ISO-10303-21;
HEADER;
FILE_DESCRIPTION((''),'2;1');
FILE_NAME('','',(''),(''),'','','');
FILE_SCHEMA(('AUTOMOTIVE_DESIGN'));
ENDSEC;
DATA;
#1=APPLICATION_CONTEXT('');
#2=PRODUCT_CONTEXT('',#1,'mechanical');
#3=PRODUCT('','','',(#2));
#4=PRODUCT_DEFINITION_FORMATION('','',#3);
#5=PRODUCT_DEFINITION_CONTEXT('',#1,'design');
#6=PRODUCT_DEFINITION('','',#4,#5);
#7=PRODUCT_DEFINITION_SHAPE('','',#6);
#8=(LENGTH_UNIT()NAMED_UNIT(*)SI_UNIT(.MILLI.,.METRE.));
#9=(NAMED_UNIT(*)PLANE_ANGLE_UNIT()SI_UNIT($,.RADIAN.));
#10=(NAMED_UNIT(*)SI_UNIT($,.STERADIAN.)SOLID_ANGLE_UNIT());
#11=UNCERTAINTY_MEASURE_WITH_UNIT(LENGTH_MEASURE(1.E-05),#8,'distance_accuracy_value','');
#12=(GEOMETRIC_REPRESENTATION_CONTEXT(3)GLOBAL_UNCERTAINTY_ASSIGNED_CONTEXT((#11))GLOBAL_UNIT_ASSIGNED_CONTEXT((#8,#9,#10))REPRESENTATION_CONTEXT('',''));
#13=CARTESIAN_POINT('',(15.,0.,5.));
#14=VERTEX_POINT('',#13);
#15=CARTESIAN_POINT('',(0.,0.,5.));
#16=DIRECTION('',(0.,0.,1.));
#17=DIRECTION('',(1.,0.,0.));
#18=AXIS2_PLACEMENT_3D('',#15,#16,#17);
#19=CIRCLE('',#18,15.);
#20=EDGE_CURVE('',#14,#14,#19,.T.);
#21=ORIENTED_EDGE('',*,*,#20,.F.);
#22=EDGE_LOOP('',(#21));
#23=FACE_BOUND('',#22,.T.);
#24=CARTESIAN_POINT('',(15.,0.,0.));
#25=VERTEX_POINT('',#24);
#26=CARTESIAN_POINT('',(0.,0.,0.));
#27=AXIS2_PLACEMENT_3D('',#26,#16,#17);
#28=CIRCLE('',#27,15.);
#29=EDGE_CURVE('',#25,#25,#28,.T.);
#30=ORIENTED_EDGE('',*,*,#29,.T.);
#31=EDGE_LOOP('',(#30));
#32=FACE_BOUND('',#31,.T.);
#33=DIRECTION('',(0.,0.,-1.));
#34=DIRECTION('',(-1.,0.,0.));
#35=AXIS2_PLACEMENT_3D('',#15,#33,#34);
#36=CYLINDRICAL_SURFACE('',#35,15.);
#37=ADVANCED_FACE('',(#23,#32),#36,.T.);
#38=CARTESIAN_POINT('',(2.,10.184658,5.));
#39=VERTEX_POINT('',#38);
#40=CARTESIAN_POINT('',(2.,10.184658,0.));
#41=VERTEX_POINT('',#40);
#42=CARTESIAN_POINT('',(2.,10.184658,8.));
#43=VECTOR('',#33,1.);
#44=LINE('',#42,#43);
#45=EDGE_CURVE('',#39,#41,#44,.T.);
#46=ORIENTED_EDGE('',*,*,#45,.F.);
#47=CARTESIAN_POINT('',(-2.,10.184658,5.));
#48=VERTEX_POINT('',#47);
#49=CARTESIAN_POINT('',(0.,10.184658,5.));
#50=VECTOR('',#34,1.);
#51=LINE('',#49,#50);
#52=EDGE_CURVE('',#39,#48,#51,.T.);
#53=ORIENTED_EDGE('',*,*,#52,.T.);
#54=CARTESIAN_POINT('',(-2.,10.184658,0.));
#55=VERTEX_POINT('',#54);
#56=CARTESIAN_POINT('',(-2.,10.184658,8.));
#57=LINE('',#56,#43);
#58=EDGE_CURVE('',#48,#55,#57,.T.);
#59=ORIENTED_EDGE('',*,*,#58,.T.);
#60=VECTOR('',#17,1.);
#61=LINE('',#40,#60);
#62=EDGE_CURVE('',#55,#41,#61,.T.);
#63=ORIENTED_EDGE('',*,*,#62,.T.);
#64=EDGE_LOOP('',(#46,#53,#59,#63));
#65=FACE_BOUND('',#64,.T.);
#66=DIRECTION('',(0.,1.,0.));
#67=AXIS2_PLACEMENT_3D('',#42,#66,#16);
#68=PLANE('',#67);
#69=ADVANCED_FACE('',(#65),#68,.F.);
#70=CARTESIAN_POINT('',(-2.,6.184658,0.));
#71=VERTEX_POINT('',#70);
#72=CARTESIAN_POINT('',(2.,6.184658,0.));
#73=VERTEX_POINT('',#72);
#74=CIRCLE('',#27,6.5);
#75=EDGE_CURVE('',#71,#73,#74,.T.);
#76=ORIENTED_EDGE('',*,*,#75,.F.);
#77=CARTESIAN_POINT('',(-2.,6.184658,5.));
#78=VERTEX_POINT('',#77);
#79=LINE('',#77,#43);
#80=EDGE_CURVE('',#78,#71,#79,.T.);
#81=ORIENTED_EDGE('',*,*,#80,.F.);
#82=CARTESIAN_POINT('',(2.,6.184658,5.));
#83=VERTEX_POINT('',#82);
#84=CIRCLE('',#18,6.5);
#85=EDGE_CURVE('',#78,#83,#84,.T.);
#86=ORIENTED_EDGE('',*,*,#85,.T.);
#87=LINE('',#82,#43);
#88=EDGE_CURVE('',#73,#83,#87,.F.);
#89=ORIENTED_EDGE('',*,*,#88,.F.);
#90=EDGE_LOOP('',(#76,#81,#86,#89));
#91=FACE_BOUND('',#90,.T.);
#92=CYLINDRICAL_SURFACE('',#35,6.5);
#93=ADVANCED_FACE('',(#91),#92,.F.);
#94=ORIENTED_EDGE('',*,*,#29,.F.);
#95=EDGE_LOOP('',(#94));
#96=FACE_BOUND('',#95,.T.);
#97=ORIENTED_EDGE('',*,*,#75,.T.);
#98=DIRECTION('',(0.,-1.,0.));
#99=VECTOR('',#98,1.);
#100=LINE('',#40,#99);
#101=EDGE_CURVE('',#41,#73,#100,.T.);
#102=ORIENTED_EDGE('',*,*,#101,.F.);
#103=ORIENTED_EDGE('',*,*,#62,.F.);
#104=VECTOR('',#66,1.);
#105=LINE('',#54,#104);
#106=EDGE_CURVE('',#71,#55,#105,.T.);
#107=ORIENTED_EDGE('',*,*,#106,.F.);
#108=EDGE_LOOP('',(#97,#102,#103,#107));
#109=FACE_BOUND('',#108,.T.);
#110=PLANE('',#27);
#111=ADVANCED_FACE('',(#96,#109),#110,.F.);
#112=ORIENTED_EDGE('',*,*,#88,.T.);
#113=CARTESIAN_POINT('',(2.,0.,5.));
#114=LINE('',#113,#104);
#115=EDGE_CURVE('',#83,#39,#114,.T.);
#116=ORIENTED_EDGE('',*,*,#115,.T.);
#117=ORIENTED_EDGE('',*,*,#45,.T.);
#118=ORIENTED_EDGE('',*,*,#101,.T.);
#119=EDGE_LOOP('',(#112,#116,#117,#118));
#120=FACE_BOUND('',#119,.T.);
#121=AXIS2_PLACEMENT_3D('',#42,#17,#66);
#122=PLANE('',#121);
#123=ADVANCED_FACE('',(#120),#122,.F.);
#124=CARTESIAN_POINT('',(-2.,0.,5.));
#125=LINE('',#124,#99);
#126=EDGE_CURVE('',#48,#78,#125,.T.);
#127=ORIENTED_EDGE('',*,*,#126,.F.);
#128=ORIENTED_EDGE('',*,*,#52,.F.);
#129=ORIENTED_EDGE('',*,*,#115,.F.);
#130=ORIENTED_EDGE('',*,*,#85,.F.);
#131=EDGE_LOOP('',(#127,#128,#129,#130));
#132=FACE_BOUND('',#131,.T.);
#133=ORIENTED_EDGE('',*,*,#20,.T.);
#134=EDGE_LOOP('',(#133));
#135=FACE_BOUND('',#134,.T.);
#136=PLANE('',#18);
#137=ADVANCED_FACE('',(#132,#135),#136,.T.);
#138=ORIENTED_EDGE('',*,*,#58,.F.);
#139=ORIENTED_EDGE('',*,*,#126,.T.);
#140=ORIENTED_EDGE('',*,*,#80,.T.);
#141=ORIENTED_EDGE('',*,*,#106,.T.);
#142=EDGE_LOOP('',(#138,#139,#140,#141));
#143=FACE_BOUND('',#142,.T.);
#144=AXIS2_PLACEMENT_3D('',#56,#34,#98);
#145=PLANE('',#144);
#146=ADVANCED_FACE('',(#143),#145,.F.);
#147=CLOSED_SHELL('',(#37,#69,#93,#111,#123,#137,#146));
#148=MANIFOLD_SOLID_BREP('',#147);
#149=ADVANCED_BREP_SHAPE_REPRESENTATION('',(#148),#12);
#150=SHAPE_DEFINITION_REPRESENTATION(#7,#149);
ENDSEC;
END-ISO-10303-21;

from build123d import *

# Parameters (mm, degrees)
IZIM1_R                     = 15
IZIM1_R_2                   = 6.5
Y_KSEKLIK_EKSTR_ZYON1_DEPTH = 5
IZIM2_W                     = 4
IZIM2_H                     = 4
KES_EKSTR_ZYON1_DEPTH       = 8


with BuildPart() as part:
    # Çizim1 → Yükseklik-Ekstrüzyon1 (new body)
    with BuildSketch(Plane.XY):
        Circle(IZIM1_R)
        Circle(IZIM1_R_2, mode=Mode.SUBTRACT)
    extrude(amount=Y_KSEKLIK_EKSTR_ZYON1_DEPTH)

    # Çizim2 → Kes-Ekstrüzyon1 (cut)
    with BuildSketch(Plane(origin=(0, 0, 0), x_dir=(-1, 0, 0), z_dir=(0, 0, -1))):
        with Locations((0, 8.184658438)):
            Rectangle(IZIM2_W, IZIM2_H)
    extrude(amount=-KES_EKSTR_ZYON1_DEPTH, mode=Mode.SUBTRACT)


solid = part.part
